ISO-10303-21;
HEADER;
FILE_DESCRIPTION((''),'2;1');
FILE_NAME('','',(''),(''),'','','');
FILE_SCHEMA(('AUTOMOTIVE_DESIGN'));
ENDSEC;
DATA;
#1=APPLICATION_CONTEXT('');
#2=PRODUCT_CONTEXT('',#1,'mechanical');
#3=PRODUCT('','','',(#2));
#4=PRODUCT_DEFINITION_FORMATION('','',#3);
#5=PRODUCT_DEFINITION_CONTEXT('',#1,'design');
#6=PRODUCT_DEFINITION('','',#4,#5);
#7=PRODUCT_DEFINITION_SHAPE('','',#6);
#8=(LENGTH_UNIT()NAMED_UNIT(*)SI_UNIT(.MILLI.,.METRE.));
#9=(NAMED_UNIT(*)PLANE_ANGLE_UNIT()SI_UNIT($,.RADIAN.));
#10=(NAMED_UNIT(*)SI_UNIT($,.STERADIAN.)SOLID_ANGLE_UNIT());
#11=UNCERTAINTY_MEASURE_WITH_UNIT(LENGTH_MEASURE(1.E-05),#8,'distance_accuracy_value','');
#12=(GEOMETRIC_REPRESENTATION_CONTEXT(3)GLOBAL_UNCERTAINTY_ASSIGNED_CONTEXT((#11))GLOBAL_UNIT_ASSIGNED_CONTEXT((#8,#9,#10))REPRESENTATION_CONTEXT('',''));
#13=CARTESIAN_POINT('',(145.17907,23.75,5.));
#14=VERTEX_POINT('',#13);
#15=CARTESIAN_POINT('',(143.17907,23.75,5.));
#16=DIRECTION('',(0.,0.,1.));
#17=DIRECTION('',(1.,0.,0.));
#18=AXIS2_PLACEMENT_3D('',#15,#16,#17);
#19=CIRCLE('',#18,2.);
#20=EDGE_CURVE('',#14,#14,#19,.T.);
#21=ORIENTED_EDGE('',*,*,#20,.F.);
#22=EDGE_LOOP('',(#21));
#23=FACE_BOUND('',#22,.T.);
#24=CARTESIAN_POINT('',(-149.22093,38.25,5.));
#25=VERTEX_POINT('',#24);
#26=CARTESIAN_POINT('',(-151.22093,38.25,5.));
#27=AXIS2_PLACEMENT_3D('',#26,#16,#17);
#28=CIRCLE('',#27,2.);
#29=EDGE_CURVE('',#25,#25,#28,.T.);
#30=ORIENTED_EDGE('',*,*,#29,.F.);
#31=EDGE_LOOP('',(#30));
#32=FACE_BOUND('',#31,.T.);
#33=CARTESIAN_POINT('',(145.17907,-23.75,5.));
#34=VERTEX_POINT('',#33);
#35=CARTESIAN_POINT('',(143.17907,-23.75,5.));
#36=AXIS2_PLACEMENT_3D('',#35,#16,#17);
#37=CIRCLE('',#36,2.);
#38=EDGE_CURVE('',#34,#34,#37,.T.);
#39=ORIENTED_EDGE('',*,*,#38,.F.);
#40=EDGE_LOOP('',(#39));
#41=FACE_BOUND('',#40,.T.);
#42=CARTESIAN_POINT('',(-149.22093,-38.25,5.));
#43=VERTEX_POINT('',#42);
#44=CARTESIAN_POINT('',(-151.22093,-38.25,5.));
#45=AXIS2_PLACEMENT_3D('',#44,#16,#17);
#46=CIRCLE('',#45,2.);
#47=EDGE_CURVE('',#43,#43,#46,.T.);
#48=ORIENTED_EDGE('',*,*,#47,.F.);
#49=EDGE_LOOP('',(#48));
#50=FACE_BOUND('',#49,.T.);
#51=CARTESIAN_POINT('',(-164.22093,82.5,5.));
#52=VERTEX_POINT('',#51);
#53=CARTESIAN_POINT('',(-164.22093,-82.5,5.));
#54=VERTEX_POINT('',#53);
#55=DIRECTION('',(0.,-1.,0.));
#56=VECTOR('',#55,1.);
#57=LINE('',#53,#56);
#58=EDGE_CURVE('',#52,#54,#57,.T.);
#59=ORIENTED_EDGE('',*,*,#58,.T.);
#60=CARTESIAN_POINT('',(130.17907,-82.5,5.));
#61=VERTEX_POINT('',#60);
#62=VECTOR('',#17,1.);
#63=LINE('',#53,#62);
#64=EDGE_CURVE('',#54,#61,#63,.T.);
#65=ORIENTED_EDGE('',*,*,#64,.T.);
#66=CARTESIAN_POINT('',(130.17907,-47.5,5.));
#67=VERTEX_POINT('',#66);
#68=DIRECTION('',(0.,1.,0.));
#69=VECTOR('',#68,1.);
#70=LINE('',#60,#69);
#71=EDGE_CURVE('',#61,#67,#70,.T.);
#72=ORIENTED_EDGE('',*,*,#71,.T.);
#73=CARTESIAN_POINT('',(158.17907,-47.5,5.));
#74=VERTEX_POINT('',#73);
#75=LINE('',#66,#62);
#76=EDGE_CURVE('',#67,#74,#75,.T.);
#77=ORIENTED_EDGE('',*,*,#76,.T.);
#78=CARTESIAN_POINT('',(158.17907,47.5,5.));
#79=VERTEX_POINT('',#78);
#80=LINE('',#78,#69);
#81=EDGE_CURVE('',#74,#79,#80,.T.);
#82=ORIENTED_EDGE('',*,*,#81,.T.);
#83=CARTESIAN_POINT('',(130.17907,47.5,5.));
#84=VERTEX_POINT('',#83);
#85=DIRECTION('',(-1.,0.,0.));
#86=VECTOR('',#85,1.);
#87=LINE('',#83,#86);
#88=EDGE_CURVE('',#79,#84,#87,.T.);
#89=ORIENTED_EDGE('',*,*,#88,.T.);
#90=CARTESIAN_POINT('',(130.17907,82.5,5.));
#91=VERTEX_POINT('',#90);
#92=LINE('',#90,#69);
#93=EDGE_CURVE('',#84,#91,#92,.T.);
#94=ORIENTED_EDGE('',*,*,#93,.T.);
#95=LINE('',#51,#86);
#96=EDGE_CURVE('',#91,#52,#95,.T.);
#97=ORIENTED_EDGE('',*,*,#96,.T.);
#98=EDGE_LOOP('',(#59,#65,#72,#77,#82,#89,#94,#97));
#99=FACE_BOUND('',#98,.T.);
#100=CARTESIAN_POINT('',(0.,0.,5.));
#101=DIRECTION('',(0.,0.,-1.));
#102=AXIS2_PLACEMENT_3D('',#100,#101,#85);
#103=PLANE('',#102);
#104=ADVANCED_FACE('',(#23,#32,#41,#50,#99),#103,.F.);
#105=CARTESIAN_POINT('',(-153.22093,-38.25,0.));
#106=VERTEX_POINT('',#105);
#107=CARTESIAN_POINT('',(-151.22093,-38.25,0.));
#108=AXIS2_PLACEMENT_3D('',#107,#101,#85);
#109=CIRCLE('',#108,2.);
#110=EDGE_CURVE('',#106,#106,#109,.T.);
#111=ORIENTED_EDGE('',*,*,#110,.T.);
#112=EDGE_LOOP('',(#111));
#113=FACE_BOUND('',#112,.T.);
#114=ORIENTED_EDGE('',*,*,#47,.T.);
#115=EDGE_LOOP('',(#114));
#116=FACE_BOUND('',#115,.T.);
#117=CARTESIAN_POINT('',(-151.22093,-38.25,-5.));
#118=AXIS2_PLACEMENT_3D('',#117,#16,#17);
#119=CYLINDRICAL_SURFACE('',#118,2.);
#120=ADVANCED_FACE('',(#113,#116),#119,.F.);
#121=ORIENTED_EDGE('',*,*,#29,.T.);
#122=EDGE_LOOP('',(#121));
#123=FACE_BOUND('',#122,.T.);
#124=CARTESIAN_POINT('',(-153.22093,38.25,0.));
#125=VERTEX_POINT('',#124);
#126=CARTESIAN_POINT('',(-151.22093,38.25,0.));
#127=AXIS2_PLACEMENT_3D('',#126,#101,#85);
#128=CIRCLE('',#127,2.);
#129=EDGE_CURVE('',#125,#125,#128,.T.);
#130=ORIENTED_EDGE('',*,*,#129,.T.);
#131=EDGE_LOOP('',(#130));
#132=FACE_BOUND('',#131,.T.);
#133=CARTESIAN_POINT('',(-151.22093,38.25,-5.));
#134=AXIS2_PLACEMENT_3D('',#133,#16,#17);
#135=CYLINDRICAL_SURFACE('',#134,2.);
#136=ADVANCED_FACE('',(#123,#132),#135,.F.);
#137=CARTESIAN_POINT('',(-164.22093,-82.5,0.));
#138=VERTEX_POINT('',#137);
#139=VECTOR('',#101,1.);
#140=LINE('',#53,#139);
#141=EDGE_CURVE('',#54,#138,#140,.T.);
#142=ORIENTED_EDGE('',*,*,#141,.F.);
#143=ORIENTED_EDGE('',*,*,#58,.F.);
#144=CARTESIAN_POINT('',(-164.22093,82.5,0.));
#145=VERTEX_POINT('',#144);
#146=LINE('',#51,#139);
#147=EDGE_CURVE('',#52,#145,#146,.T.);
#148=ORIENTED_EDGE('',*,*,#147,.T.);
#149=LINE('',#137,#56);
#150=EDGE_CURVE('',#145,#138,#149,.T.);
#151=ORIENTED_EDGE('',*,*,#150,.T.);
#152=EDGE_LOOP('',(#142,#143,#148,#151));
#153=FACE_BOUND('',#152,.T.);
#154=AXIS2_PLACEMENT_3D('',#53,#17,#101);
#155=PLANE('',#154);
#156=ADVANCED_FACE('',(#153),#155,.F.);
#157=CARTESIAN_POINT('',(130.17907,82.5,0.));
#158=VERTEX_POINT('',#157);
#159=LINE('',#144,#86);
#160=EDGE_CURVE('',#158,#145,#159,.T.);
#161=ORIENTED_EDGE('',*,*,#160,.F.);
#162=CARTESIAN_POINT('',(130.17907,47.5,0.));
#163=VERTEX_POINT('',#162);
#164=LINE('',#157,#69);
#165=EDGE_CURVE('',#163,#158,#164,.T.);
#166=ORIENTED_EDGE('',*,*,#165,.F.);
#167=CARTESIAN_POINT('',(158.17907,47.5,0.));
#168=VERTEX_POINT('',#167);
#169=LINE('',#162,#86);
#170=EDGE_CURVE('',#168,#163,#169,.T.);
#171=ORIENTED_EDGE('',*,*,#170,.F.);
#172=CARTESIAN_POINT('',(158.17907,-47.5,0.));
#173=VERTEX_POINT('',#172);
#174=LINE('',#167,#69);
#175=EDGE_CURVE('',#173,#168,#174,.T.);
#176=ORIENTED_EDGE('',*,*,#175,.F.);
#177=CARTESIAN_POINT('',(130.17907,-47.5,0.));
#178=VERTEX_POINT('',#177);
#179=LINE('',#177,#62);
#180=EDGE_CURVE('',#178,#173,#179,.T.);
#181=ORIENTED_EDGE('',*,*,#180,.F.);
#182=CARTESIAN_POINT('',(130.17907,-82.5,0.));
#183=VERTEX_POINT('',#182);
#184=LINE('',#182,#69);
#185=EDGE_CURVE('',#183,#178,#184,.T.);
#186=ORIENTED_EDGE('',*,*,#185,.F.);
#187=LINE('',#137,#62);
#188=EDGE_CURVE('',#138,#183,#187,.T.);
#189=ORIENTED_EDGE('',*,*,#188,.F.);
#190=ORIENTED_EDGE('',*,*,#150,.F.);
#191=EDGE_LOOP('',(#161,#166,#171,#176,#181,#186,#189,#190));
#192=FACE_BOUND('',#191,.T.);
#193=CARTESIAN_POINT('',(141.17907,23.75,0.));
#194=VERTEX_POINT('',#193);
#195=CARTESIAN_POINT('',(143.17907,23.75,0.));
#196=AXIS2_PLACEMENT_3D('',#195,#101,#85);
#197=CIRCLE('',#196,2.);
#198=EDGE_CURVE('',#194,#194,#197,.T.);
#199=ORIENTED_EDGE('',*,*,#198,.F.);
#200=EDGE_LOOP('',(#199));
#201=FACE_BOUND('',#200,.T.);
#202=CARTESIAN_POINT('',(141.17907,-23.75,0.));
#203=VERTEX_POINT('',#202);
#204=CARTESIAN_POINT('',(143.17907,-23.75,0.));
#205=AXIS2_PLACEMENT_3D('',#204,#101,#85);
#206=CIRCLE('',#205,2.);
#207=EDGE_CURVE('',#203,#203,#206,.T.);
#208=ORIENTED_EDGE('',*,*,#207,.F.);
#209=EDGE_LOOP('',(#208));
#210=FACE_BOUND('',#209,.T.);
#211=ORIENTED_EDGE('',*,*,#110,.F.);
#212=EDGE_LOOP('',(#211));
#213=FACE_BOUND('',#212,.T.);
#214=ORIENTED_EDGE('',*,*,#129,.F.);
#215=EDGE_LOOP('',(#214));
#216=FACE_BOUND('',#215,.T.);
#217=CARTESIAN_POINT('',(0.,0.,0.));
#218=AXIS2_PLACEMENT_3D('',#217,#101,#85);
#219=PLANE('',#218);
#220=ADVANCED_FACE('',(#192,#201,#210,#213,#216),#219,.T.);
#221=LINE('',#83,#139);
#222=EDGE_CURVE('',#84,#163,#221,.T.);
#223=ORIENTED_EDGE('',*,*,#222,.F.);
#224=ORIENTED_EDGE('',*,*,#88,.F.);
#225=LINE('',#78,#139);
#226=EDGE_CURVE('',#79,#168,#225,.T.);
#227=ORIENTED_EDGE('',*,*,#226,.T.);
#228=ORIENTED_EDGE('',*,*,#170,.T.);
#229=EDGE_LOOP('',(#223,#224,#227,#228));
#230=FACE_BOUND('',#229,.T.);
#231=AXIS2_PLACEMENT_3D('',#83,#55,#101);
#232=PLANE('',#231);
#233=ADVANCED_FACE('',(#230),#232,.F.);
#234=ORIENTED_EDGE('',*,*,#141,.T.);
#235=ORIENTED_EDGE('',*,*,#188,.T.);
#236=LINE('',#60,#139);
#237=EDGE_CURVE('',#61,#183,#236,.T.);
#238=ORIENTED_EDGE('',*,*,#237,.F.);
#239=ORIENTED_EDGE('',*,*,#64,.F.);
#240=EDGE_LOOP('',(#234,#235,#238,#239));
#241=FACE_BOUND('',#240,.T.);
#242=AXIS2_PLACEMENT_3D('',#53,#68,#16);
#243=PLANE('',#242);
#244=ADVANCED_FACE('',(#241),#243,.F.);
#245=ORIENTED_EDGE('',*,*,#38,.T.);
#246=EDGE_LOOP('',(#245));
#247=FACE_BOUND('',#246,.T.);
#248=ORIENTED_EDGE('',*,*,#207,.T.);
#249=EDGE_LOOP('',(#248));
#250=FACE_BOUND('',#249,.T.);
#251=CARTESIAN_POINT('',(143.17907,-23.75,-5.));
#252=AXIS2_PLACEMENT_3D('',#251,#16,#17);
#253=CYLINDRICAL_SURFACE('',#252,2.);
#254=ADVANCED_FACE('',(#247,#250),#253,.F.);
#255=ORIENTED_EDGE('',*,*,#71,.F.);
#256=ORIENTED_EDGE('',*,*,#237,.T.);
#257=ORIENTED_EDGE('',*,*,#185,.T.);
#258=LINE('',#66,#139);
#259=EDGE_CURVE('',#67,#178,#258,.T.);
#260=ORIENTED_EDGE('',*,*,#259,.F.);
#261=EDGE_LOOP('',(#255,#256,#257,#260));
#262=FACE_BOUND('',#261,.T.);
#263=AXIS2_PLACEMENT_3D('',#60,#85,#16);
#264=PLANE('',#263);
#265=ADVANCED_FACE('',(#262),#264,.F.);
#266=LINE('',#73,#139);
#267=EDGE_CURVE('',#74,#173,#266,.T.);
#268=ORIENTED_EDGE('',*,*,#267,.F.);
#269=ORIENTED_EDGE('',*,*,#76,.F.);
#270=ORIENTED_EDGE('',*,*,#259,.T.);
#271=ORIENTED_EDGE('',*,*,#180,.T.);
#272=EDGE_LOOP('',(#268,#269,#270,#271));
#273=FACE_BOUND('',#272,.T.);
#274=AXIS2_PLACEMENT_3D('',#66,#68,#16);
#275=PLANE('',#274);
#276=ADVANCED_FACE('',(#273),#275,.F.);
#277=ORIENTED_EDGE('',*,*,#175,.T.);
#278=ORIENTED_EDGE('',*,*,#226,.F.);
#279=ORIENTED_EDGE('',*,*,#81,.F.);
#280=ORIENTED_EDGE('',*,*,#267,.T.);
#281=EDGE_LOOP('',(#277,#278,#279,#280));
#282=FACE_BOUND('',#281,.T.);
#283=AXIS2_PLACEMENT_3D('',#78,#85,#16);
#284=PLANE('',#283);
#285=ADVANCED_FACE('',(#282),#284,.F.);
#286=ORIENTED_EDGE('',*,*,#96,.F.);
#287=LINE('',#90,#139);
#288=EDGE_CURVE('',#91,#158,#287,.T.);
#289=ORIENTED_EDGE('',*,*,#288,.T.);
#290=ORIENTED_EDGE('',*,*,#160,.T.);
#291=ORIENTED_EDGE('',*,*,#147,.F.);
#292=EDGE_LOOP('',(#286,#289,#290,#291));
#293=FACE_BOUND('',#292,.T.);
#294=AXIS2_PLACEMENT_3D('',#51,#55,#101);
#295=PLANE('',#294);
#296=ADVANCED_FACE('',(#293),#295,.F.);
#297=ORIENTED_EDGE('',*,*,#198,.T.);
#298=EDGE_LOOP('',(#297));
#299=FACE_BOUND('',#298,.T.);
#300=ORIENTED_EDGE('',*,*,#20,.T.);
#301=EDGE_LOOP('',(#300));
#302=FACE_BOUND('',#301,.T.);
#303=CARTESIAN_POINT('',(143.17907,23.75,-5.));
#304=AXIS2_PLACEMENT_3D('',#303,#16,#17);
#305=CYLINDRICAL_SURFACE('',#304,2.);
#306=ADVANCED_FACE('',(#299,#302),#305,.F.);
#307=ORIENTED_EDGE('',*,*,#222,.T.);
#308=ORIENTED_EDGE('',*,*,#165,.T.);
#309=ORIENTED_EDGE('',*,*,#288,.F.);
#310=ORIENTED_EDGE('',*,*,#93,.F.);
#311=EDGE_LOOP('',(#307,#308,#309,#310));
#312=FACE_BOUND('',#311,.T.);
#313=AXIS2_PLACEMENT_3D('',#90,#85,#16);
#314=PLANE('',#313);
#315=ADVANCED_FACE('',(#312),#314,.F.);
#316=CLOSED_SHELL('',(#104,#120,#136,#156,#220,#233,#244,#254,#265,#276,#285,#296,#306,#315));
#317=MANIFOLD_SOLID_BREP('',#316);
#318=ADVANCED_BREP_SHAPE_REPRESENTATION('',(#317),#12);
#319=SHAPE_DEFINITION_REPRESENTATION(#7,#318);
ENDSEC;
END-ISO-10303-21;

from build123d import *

# Parameters (mm, degrees)
BOSS_EXTRUDE1_DEPTH = 5
SKETCH2_R           = 2
CUT_EXTRUDE1_DEPTH  = 10


with BuildPart() as part:
    # Sketch1 → Boss-Extrude1 (new body)
    with BuildSketch(Plane.XY):
        Polygon((-164.220930233, -82.5), (-164.220930233, 82.5), (130.179069767, 82.5), (130.179069767, 47.5), (158.179069767, 47.5), (158.179069767, -47.5), (130.179069767, -47.5), (130.179069767, -82.5), align=None)
    extrude(amount=BOSS_EXTRUDE1_DEPTH)

    # Sketch2 → Cut-Extrude1 (cut)
    with BuildSketch(Plane.XY.offset(5)):
        with Locations((-151.220930233, 38.25)):
            Circle(SKETCH2_R)
        with Locations((-151.220930233, -38.25)):
            Circle(SKETCH2_R)
        with Locations((143.179069767, 23.75)):
            Circle(SKETCH2_R)
        with Locations((143.179069767, -23.75)):
            Circle(SKETCH2_R)
    extrude(amount=-CUT_EXTRUDE1_DEPTH, mode=Mode.SUBTRACT)


solid = part.part
